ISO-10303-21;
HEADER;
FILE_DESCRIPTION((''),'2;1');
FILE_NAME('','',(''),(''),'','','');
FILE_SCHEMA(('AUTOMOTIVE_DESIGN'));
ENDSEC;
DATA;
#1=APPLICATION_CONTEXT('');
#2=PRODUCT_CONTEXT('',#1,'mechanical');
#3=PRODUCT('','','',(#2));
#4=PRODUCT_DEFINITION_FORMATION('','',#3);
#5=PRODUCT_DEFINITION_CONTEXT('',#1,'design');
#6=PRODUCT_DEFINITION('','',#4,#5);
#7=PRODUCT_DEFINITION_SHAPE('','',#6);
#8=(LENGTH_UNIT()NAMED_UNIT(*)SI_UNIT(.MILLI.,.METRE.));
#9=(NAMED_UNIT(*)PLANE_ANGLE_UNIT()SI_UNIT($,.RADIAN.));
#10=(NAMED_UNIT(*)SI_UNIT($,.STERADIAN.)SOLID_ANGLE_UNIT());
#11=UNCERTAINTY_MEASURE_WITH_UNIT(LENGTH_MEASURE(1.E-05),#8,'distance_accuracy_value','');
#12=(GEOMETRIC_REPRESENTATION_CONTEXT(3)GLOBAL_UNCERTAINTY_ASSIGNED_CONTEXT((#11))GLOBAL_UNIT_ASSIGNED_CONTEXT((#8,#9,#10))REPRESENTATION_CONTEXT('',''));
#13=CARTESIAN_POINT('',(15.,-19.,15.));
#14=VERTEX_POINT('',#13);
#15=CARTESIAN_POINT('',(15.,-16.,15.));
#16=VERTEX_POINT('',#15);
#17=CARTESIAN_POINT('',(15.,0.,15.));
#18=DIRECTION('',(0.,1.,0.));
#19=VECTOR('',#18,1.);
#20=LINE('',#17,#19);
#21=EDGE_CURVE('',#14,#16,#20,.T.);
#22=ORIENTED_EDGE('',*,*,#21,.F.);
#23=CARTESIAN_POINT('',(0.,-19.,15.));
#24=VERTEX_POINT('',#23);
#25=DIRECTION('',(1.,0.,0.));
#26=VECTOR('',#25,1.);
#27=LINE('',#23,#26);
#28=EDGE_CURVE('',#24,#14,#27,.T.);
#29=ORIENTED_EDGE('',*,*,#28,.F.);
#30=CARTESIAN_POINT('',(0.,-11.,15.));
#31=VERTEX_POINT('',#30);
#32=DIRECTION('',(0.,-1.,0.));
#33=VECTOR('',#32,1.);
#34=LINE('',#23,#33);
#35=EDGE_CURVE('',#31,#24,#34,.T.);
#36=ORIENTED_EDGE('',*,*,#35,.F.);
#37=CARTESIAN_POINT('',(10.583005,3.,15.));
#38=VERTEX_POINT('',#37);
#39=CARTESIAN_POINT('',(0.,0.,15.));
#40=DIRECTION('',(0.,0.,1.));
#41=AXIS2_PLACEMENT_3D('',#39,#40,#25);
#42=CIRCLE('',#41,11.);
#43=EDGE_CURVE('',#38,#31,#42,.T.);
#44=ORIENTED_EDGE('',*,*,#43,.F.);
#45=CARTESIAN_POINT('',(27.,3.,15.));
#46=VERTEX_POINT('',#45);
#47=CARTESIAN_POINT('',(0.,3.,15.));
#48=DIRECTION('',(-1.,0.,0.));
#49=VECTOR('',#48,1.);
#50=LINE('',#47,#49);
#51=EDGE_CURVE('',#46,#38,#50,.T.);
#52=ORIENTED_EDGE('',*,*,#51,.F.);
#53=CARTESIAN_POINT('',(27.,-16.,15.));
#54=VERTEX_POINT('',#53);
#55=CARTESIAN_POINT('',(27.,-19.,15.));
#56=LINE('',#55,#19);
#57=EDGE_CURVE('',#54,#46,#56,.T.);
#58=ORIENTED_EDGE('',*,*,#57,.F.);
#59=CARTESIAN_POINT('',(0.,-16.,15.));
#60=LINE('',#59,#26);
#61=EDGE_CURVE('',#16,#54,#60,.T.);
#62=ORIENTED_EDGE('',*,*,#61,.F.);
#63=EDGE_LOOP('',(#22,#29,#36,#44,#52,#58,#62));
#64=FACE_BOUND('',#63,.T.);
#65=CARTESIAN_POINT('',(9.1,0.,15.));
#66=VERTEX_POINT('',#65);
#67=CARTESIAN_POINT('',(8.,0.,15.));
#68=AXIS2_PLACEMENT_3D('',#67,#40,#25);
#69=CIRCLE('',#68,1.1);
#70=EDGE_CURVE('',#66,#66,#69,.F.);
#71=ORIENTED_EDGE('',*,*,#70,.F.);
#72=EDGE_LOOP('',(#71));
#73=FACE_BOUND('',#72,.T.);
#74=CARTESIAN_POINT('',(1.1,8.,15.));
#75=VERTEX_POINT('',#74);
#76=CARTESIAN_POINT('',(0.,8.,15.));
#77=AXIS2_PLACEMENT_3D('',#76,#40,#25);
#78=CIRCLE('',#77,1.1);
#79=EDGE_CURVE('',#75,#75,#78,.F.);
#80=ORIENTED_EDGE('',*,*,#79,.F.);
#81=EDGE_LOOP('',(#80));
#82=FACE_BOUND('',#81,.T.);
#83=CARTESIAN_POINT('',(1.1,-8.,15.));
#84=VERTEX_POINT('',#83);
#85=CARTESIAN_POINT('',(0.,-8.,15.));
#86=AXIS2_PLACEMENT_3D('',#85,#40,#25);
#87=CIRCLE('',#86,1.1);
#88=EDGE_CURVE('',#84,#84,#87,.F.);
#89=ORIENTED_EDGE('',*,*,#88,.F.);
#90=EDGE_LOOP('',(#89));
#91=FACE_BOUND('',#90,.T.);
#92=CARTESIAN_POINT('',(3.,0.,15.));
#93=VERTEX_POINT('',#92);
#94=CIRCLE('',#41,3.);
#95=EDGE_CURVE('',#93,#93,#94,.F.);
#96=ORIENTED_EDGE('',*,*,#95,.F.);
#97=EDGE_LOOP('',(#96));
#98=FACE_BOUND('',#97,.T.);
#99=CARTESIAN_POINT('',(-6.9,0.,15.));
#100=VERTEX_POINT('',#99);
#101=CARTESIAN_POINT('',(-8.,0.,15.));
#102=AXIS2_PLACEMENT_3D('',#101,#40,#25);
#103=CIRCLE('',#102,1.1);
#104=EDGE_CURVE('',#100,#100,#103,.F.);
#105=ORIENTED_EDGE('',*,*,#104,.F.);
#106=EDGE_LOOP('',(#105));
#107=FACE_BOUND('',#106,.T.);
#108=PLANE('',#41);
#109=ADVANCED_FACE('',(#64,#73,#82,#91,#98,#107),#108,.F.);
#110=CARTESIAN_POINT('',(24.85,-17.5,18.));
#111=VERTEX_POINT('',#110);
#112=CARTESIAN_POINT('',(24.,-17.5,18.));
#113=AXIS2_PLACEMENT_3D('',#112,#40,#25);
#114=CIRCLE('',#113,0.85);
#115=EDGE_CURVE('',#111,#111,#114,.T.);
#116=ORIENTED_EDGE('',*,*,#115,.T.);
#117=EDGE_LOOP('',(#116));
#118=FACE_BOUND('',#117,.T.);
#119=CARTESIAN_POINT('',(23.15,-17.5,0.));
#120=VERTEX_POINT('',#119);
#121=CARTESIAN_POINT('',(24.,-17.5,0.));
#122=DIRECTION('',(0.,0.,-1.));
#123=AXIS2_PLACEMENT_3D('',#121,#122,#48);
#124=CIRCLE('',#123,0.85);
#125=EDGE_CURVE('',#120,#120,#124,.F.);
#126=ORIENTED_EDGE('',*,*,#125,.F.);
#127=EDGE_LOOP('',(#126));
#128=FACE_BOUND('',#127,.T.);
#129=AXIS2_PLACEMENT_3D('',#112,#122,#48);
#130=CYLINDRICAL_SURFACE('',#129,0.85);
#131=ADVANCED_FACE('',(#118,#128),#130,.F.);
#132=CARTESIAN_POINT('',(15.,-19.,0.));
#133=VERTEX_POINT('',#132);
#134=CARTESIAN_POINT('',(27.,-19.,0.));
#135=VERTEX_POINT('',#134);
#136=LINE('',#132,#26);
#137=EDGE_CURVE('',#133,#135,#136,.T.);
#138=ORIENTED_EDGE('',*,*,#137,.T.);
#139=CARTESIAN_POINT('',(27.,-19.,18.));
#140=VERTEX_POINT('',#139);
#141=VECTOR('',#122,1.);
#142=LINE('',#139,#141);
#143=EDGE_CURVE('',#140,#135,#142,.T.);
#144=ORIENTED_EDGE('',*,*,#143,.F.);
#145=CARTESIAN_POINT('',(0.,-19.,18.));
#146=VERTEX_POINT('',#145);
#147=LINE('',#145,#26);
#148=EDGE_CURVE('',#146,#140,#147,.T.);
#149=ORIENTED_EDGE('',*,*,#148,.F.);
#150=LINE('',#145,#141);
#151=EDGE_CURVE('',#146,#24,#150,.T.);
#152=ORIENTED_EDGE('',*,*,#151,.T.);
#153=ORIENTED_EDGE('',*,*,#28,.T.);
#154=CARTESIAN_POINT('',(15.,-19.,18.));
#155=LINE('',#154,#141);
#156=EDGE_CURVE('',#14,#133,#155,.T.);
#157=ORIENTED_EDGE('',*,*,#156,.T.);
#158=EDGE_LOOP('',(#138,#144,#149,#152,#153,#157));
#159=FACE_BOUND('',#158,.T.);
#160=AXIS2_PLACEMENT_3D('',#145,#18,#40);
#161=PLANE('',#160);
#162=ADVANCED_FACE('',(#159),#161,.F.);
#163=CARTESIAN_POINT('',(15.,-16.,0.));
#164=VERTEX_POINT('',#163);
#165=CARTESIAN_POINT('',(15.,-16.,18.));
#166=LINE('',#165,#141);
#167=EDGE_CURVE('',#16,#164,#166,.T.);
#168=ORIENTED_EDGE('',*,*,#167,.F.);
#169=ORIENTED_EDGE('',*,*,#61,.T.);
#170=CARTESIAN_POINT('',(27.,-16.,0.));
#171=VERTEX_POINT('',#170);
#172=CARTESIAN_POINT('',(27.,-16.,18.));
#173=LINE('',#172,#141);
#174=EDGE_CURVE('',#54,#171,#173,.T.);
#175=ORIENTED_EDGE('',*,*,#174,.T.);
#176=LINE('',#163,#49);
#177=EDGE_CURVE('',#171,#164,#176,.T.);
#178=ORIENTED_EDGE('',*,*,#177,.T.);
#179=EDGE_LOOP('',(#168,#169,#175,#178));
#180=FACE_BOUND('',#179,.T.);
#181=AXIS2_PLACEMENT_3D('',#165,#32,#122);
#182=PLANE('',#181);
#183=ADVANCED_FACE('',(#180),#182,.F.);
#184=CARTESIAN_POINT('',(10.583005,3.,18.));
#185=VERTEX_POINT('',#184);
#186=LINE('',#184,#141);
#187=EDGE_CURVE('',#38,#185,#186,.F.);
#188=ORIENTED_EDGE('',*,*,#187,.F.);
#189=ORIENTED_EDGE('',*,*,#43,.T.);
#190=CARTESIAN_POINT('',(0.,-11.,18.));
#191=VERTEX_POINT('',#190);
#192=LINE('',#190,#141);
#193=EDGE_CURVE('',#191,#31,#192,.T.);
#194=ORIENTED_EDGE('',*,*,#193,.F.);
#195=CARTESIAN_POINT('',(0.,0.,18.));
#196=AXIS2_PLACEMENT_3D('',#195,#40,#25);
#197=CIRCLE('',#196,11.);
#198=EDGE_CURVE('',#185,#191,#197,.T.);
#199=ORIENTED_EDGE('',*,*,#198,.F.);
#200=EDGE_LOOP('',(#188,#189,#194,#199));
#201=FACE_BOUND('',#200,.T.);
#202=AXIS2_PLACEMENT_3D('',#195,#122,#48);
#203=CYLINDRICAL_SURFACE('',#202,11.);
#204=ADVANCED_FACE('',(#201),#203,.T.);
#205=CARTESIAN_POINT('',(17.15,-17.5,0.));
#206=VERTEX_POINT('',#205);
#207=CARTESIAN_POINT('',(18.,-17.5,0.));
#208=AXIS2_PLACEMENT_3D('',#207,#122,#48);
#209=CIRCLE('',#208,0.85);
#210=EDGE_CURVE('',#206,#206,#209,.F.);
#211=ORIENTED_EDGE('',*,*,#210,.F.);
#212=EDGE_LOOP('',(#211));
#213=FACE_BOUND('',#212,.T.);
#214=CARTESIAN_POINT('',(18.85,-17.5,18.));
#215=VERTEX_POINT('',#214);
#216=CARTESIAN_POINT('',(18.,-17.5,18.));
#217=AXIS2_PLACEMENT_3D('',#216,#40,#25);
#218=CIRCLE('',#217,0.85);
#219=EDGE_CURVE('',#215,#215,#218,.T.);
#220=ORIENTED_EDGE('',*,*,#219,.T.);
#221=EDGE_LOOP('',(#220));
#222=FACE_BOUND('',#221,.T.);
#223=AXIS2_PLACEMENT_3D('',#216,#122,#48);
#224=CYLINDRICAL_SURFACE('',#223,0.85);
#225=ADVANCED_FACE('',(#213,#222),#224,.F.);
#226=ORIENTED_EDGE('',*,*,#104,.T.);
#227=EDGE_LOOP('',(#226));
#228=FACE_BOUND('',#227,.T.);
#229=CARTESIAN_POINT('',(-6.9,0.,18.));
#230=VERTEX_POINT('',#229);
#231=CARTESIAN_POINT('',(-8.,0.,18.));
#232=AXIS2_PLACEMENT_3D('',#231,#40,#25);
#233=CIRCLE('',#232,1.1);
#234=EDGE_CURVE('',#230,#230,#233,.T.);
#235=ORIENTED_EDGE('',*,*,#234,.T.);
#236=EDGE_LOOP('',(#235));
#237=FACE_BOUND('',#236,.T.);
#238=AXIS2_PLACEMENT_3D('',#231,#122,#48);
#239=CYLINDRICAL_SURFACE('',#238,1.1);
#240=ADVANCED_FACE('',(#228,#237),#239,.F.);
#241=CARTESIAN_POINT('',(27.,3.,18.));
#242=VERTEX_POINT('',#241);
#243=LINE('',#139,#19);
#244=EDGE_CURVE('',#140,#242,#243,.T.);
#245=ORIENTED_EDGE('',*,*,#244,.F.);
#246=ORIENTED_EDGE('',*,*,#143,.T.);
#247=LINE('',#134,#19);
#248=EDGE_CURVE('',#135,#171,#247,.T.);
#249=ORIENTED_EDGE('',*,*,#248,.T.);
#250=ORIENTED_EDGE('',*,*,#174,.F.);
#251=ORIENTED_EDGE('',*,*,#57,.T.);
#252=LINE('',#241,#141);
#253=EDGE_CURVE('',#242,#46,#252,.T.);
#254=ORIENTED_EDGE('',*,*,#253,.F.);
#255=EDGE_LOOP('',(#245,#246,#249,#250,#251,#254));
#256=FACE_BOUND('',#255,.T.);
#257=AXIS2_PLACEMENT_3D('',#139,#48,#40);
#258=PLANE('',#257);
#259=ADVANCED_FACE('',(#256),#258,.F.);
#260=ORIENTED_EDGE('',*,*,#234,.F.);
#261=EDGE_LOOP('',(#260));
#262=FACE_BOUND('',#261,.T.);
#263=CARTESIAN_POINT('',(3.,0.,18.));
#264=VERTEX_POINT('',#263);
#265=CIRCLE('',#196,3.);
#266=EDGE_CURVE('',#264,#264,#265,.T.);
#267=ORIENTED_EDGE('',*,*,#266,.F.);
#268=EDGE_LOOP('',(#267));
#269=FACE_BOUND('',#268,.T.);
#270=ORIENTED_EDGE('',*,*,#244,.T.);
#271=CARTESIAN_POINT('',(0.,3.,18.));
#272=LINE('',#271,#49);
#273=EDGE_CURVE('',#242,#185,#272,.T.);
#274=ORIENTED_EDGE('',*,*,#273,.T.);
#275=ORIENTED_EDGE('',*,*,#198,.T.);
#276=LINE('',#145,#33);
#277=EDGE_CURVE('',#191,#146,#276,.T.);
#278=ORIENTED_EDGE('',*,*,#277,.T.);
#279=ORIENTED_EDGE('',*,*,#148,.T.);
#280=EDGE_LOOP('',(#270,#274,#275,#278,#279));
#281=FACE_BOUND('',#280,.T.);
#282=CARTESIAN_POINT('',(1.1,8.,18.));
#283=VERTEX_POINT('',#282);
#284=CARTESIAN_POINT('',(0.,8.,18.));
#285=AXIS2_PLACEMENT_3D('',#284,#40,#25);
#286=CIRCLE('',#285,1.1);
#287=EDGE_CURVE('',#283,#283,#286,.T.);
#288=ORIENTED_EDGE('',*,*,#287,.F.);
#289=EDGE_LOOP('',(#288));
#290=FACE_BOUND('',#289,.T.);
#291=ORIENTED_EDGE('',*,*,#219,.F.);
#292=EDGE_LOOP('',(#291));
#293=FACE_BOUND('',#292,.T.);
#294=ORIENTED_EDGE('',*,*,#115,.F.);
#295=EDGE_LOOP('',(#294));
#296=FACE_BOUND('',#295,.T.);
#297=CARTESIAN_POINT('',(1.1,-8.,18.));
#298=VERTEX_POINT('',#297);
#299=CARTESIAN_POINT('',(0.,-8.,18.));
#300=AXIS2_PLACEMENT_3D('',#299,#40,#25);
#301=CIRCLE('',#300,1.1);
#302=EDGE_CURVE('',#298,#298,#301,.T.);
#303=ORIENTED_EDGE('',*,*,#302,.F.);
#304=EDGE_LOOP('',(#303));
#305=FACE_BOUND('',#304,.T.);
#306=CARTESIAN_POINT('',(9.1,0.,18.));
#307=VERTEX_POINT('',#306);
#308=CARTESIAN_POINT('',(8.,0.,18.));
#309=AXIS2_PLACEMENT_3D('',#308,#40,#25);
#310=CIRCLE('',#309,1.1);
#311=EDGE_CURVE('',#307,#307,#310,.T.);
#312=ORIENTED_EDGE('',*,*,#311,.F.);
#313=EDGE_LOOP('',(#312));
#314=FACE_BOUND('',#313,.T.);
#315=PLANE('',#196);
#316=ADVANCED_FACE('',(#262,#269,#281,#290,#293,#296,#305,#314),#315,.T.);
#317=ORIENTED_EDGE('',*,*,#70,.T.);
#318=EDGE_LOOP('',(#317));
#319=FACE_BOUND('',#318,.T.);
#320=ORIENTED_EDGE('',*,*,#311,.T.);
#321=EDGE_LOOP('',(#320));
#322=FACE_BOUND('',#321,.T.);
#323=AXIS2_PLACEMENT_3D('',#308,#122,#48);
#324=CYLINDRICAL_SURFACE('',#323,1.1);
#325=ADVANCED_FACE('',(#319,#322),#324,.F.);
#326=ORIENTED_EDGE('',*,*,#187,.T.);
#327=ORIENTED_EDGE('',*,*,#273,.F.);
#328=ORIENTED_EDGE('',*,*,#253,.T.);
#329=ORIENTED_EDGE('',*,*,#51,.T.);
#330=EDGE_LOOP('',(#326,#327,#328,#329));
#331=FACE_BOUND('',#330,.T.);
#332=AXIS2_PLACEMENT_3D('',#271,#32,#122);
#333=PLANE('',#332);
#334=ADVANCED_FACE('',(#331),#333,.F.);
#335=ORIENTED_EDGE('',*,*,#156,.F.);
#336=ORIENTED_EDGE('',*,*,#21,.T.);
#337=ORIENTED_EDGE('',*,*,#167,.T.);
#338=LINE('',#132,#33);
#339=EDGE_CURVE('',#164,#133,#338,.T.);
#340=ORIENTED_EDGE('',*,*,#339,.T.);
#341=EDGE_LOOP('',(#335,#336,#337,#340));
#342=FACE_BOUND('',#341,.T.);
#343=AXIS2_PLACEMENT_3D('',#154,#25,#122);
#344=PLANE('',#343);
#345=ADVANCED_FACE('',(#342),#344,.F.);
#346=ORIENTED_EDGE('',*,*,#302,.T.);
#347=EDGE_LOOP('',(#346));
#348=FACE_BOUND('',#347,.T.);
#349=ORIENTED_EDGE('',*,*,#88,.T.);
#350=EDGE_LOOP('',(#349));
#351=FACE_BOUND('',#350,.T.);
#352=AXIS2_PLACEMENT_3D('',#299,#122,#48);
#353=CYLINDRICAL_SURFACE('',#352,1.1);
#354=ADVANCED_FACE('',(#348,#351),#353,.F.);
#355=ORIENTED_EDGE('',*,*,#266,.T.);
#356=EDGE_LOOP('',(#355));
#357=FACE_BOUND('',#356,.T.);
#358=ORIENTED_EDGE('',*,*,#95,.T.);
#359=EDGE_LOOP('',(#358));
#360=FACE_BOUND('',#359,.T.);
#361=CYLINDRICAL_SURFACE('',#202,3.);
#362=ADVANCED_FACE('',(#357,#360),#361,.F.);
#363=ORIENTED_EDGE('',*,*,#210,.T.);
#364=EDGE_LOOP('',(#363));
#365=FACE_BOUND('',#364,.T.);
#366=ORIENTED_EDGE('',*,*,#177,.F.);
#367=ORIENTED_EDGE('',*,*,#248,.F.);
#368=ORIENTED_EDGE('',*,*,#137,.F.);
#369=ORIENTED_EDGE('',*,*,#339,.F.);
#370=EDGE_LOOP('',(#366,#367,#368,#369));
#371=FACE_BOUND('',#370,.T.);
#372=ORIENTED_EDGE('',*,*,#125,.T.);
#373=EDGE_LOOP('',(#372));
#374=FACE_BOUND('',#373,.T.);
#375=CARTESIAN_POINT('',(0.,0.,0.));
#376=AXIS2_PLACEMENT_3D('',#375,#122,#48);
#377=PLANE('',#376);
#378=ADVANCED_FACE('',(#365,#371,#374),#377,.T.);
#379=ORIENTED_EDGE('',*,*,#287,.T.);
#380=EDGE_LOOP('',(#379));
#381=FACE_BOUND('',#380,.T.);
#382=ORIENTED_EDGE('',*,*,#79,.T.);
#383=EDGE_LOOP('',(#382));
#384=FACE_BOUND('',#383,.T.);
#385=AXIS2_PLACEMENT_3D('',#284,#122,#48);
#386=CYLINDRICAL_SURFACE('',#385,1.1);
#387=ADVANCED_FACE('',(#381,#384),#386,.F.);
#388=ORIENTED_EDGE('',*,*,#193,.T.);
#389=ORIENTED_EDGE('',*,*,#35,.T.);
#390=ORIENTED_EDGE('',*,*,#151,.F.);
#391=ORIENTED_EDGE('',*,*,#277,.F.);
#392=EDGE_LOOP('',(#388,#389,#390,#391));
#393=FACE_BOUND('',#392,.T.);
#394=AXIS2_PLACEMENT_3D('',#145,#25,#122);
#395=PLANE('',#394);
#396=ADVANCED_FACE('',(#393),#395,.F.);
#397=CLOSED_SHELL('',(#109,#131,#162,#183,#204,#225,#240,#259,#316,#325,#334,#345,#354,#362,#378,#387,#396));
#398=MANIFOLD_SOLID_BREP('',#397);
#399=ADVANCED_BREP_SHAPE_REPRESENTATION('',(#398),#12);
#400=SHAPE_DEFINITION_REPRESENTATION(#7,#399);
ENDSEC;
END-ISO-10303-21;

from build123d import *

# Parameters (mm, degrees)
STOCK_HORN_ATTACHMENT_START         = 15
STOCK_HORN_ATTACHMENT_PROFILE_R     = 11
STOCK_HORN_ATTACHMENT_DEPTH         = 3
FINGER_ARM_START                    = 15
FINGER_ARM_PROFILE_W                = 27
FINGER_ARM_PROFILE_H                = 22
FINGER_ARM_DEPTH                    = 3
DESCENDING_CONTACT_FINGER_PROFILE_W = 12
DESCENDING_CONTACT_FINGER_PROFILE_H = 3
DESCENDING_CONTACT_FINGER_DEPTH     = 18
HORN_CENTER_ACCESS_START            = -50
HORN_CENTER_ACCESS_PROFILE_R        = 3
HORN_CENTER_ACCESS_DEPTH            = 88.603191354
HORN_SCREWS_START                   = -50
HORN_SCREWS_PROFILE_R               = 1.1
HORN_SCREWS_DEPTH                   = 88.603191354
CONTACT_PAD_KEEPER_START            = -50
CONTACT_PAD_KEEPER_PROFILE_R        = 0.85
CONTACT_PAD_KEEPER_DEPTH            = 88.603191354


with BuildPart() as part:
    # Stock_horn_attachment_profile → Stock_horn_attachment (new body)
    with BuildSketch(Plane.XY.offset(STOCK_HORN_ATTACHMENT_START)):
        Circle(STOCK_HORN_ATTACHMENT_PROFILE_R)
    extrude(amount=STOCK_HORN_ATTACHMENT_DEPTH)

    # Finger_arm_profile → Finger_arm (add)
    with BuildSketch(Plane.XY.offset(FINGER_ARM_START)):
        with Locations((13.5, -8)):
            Rectangle(FINGER_ARM_PROFILE_W, FINGER_ARM_PROFILE_H)
    extrude(amount=FINGER_ARM_DEPTH)

    # Descending_contact_finger_profile → Descending_contact_finger (add)
    with BuildSketch(Plane.XY):
        with Locations((21, -17.5)):
            Rectangle(DESCENDING_CONTACT_FINGER_PROFILE_W, DESCENDING_CONTACT_FINGER_PROFILE_H)
    extrude(amount=DESCENDING_CONTACT_FINGER_DEPTH)

    # Horn_center_access_profile → Horn_center_access (cut, through all)
    with BuildSketch(Plane.XY.offset(HORN_CENTER_ACCESS_START)):
        Circle(HORN_CENTER_ACCESS_PROFILE_R)
    extrude(amount=HORN_CENTER_ACCESS_DEPTH, mode=Mode.SUBTRACT)

    # Horn_screws_profile → Horn_screws (cut, through all)
    with BuildSketch(Plane.XY.offset(HORN_SCREWS_START)):
        with Locations((0, -8)):
            Circle(HORN_SCREWS_PROFILE_R)
        with Locations((0, 8)):
            Circle(HORN_SCREWS_PROFILE_R)
        with Locations((-8, 0)):
            Circle(HORN_SCREWS_PROFILE_R)
        with Locations((8, 0)):
            Circle(HORN_SCREWS_PROFILE_R)
    extrude(amount=HORN_SCREWS_DEPTH, mode=Mode.SUBTRACT)

    # Contact_pad_keeper_profile → Contact_pad_keeper (cut, through all)
    with BuildSketch(Plane.XY.offset(CONTACT_PAD_KEEPER_START)):
        with Locations(Location((18, -17.5, 0), (0, 0, 180))):
            Circle(CONTACT_PAD_KEEPER_PROFILE_R)
        with Locations(Location((24, -17.5, 0), (0, 0, 180))):
            Circle(CONTACT_PAD_KEEPER_PROFILE_R)
    extrude(amount=CONTACT_PAD_KEEPER_DEPTH, mode=Mode.SUBTRACT)


solid = part.part
